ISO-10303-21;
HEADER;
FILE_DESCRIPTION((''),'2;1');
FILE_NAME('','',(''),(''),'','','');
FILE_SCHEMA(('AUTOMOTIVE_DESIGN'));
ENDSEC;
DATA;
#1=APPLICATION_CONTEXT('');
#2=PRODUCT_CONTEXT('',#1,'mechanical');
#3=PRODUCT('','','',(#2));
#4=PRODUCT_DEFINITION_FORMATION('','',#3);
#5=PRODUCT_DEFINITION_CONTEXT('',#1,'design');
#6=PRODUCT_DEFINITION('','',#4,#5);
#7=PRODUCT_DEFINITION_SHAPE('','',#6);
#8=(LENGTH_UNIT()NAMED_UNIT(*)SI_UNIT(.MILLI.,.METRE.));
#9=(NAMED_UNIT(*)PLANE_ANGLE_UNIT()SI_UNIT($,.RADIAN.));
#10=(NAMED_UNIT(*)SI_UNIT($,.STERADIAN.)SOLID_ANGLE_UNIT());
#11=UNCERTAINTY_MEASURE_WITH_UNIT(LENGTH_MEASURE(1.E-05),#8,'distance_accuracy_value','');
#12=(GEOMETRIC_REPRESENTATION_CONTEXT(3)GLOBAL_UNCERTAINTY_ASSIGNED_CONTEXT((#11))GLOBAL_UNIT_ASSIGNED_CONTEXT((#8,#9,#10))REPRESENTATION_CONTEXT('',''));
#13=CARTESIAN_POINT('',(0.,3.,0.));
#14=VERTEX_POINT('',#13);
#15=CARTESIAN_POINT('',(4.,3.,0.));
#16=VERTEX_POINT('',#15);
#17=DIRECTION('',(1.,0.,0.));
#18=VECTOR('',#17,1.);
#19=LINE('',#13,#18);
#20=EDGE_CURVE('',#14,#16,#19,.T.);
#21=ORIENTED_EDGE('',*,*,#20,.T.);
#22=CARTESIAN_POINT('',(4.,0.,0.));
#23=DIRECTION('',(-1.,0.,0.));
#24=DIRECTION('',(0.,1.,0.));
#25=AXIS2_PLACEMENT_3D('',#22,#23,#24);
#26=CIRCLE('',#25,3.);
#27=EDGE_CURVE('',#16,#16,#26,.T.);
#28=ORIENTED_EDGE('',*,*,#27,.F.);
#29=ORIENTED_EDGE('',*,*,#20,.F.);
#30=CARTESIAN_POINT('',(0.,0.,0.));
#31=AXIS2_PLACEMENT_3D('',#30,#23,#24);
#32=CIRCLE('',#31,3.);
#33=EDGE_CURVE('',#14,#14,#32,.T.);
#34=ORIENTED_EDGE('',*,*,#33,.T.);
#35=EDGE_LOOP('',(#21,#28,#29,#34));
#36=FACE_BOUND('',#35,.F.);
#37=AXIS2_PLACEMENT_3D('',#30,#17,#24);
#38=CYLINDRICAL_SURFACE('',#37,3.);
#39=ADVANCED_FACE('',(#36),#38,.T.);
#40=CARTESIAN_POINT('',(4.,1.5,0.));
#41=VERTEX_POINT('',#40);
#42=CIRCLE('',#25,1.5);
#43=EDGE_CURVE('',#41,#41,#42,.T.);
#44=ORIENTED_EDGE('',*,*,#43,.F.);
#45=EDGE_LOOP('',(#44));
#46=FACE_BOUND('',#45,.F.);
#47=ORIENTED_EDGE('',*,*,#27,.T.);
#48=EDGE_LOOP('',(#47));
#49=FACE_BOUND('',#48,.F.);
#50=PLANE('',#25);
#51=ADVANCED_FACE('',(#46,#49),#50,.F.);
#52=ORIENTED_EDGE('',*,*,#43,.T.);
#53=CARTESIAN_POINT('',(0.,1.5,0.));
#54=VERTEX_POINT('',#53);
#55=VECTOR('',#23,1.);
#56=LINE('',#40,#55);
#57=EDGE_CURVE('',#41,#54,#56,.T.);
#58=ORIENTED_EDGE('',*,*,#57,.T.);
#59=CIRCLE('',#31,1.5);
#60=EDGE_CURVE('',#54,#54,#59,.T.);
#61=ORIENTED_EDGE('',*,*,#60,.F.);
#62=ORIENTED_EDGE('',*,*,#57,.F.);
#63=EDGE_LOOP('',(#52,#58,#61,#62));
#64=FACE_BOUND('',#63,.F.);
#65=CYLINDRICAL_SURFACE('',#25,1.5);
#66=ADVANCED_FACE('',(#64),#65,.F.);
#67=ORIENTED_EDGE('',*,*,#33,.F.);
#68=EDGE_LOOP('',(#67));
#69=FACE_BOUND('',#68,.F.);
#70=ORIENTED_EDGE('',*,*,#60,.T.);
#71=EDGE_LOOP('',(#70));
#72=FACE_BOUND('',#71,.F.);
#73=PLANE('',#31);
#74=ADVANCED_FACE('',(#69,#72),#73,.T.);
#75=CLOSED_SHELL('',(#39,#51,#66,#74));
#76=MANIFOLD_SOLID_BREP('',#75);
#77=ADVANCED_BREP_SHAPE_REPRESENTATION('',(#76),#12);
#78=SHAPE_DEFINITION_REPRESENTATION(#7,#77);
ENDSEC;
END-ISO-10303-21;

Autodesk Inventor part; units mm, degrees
ref_plane "YZ Plane" through (0, 0, 0) normal (1, 0, 0) x (0, 1, 0)
ref_plane "XZ Plane" through (0, 0, 0) normal (0, 1, 0) x (-1, 0, 0)
ref_plane "XY Plane" through (0, 0, 0) normal (0, 0, 1) x (1, 0, 0)
sketch "Sketch1" plane through (0, 0, 0) normal (0, 0, 1) x (1, 0, 0)
  line L0 (0, 0) -> (0, 1.5)
  line L1 (0, 0) -> (0, 3)
  line L2 (0, 3) -> (4, 3)
  line L3 (4, 3) -> (4, 1.5)
  line L4 (4, 1.5) -> (0, 1.5)
  line L5 (0, 0) -> (-3.024, 0)
  line L6 (0, 3) -> (4, 3)
  line L7 (4, 3) -> (4, 1.5)
  line L8 (4, 1.5) -> (0, 1.5)
  line L9 (0, 1.5) -> (0, 3)
  dimension "d0" = 1.5
  dimension "d1" = 3
  dimension "d2" = 4
revolve "Revolution1" add sketch "Sketch1" angle 360 about axis through (0, 0, 0) along (-1, 0, 0)
properties part number "SleeveBearing3mm" material "Bronze, Cast"
